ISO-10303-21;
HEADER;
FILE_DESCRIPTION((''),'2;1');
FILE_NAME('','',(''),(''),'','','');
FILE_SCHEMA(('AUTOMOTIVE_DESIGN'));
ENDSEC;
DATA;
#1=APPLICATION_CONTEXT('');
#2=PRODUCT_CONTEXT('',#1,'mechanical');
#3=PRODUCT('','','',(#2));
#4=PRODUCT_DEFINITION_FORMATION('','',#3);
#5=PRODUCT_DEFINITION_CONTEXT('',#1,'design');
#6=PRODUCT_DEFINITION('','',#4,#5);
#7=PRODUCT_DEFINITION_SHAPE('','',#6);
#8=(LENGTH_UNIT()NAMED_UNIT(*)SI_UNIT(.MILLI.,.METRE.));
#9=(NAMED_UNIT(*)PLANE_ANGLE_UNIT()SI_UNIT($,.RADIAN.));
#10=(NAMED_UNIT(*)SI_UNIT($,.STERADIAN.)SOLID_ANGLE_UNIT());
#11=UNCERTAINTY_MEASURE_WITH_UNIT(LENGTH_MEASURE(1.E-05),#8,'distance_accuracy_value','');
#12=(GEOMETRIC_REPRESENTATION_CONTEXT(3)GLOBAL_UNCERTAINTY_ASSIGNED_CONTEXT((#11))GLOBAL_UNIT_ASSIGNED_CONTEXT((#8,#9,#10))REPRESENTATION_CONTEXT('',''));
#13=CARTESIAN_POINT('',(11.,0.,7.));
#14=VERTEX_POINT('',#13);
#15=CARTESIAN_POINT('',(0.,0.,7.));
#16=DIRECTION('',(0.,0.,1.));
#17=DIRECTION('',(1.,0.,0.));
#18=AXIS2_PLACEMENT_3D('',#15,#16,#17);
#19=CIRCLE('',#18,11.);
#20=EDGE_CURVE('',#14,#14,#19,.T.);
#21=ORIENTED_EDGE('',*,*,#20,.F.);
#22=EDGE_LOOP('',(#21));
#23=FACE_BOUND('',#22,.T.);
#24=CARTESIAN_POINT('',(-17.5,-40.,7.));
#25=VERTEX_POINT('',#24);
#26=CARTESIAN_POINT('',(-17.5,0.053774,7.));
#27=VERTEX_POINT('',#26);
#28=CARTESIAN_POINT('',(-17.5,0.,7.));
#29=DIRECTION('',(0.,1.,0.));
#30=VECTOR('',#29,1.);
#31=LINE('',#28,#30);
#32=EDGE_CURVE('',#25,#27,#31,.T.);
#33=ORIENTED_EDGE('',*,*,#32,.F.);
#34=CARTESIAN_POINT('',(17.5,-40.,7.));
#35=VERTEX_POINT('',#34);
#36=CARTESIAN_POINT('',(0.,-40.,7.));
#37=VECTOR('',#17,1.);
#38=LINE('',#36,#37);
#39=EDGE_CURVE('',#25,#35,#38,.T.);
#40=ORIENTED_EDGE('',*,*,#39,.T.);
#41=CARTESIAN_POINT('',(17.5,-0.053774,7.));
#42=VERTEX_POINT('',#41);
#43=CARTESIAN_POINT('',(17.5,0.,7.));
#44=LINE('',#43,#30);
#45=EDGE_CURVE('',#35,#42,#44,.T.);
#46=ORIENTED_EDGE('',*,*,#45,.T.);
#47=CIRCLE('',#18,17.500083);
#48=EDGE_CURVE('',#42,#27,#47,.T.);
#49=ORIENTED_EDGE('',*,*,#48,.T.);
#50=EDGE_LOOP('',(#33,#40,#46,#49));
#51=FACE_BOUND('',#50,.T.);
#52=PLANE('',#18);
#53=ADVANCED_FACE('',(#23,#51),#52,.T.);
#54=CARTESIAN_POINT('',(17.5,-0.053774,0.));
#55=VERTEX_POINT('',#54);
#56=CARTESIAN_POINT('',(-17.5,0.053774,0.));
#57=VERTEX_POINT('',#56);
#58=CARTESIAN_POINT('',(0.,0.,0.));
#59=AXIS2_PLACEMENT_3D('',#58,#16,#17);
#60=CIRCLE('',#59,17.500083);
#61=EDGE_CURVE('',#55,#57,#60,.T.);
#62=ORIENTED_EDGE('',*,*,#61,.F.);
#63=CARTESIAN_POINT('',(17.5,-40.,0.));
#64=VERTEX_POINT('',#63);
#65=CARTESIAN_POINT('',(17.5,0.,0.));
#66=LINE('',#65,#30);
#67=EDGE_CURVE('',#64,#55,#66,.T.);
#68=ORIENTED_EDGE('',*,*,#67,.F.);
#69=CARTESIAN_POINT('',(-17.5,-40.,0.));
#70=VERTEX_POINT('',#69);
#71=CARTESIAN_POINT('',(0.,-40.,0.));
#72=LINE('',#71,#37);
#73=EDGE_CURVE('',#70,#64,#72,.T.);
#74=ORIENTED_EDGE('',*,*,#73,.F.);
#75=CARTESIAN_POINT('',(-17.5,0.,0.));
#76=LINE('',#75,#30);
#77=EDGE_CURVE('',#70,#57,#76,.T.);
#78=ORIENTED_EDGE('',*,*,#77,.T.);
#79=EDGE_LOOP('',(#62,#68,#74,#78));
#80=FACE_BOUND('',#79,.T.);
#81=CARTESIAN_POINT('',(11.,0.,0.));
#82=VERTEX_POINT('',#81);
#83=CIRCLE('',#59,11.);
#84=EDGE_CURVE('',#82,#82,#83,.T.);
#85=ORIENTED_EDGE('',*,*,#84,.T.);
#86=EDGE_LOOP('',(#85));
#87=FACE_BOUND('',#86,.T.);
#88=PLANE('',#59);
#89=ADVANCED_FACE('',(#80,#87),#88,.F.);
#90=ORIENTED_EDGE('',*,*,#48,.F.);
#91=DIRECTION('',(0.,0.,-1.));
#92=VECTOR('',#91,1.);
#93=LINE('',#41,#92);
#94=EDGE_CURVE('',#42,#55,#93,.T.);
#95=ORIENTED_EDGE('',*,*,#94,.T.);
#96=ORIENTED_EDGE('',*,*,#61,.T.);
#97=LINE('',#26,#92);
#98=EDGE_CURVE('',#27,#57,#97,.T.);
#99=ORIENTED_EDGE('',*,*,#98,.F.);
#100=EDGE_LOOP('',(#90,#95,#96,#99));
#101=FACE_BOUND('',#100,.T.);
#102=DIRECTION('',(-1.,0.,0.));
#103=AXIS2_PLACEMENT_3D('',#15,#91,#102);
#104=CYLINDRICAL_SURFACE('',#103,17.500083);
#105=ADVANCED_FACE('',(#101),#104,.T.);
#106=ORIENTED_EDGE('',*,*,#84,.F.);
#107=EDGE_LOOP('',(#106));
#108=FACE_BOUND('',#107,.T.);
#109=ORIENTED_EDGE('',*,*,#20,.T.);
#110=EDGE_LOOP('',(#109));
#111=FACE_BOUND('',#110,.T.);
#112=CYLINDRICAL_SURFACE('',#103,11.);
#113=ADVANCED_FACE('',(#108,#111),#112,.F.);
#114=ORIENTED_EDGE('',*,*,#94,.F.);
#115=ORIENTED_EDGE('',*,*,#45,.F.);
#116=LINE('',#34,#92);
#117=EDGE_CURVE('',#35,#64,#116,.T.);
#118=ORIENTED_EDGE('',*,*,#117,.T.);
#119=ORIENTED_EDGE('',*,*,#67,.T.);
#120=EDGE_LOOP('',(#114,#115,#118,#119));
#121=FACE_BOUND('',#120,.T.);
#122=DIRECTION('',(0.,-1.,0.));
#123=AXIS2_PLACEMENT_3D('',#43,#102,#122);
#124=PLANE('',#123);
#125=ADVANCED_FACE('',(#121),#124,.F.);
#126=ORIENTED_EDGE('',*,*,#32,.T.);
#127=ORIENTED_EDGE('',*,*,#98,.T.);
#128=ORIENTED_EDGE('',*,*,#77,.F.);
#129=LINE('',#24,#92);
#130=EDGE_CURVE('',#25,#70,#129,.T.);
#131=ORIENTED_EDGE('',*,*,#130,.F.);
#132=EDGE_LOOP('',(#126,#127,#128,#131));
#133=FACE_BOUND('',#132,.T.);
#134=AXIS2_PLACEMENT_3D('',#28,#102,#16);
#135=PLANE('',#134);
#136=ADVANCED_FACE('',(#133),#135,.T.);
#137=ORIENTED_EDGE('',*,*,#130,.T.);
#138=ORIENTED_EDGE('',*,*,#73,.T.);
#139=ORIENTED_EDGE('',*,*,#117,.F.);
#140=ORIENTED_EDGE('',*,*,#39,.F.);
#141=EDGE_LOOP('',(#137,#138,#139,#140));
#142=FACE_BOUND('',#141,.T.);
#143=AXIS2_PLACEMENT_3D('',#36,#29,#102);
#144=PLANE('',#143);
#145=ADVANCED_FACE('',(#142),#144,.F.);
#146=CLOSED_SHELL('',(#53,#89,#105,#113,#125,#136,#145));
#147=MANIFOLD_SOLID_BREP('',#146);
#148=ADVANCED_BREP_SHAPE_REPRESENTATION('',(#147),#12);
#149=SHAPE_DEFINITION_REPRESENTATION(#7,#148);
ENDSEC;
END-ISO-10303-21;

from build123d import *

# Parameters (mm, degrees)
ESBO_O1_R                = 11
RESSALTO_EXTRUS_O1_DEPTH = 7


with BuildPart() as part:
    # Esboço1 → Ressalto-extrusão1 (new body)
    with BuildSketch(Plane.XY):
        with BuildLine():
            Line((-17.5, -40), (17.5, -40))
            Line((17.5, -40), (17.5, -0.0537741))
            ThreePointArc((17.5, -0.0537741), (0.0537741, 17.5), (-17.5, 0.0537741))
            Line((-17.5, 0.0537741), (-17.5, -40))
        make_face()
        Circle(ESBO_O1_R, mode=Mode.SUBTRACT)
    extrude(amount=RESSALTO_EXTRUS_O1_DEPTH)


solid = part.part
